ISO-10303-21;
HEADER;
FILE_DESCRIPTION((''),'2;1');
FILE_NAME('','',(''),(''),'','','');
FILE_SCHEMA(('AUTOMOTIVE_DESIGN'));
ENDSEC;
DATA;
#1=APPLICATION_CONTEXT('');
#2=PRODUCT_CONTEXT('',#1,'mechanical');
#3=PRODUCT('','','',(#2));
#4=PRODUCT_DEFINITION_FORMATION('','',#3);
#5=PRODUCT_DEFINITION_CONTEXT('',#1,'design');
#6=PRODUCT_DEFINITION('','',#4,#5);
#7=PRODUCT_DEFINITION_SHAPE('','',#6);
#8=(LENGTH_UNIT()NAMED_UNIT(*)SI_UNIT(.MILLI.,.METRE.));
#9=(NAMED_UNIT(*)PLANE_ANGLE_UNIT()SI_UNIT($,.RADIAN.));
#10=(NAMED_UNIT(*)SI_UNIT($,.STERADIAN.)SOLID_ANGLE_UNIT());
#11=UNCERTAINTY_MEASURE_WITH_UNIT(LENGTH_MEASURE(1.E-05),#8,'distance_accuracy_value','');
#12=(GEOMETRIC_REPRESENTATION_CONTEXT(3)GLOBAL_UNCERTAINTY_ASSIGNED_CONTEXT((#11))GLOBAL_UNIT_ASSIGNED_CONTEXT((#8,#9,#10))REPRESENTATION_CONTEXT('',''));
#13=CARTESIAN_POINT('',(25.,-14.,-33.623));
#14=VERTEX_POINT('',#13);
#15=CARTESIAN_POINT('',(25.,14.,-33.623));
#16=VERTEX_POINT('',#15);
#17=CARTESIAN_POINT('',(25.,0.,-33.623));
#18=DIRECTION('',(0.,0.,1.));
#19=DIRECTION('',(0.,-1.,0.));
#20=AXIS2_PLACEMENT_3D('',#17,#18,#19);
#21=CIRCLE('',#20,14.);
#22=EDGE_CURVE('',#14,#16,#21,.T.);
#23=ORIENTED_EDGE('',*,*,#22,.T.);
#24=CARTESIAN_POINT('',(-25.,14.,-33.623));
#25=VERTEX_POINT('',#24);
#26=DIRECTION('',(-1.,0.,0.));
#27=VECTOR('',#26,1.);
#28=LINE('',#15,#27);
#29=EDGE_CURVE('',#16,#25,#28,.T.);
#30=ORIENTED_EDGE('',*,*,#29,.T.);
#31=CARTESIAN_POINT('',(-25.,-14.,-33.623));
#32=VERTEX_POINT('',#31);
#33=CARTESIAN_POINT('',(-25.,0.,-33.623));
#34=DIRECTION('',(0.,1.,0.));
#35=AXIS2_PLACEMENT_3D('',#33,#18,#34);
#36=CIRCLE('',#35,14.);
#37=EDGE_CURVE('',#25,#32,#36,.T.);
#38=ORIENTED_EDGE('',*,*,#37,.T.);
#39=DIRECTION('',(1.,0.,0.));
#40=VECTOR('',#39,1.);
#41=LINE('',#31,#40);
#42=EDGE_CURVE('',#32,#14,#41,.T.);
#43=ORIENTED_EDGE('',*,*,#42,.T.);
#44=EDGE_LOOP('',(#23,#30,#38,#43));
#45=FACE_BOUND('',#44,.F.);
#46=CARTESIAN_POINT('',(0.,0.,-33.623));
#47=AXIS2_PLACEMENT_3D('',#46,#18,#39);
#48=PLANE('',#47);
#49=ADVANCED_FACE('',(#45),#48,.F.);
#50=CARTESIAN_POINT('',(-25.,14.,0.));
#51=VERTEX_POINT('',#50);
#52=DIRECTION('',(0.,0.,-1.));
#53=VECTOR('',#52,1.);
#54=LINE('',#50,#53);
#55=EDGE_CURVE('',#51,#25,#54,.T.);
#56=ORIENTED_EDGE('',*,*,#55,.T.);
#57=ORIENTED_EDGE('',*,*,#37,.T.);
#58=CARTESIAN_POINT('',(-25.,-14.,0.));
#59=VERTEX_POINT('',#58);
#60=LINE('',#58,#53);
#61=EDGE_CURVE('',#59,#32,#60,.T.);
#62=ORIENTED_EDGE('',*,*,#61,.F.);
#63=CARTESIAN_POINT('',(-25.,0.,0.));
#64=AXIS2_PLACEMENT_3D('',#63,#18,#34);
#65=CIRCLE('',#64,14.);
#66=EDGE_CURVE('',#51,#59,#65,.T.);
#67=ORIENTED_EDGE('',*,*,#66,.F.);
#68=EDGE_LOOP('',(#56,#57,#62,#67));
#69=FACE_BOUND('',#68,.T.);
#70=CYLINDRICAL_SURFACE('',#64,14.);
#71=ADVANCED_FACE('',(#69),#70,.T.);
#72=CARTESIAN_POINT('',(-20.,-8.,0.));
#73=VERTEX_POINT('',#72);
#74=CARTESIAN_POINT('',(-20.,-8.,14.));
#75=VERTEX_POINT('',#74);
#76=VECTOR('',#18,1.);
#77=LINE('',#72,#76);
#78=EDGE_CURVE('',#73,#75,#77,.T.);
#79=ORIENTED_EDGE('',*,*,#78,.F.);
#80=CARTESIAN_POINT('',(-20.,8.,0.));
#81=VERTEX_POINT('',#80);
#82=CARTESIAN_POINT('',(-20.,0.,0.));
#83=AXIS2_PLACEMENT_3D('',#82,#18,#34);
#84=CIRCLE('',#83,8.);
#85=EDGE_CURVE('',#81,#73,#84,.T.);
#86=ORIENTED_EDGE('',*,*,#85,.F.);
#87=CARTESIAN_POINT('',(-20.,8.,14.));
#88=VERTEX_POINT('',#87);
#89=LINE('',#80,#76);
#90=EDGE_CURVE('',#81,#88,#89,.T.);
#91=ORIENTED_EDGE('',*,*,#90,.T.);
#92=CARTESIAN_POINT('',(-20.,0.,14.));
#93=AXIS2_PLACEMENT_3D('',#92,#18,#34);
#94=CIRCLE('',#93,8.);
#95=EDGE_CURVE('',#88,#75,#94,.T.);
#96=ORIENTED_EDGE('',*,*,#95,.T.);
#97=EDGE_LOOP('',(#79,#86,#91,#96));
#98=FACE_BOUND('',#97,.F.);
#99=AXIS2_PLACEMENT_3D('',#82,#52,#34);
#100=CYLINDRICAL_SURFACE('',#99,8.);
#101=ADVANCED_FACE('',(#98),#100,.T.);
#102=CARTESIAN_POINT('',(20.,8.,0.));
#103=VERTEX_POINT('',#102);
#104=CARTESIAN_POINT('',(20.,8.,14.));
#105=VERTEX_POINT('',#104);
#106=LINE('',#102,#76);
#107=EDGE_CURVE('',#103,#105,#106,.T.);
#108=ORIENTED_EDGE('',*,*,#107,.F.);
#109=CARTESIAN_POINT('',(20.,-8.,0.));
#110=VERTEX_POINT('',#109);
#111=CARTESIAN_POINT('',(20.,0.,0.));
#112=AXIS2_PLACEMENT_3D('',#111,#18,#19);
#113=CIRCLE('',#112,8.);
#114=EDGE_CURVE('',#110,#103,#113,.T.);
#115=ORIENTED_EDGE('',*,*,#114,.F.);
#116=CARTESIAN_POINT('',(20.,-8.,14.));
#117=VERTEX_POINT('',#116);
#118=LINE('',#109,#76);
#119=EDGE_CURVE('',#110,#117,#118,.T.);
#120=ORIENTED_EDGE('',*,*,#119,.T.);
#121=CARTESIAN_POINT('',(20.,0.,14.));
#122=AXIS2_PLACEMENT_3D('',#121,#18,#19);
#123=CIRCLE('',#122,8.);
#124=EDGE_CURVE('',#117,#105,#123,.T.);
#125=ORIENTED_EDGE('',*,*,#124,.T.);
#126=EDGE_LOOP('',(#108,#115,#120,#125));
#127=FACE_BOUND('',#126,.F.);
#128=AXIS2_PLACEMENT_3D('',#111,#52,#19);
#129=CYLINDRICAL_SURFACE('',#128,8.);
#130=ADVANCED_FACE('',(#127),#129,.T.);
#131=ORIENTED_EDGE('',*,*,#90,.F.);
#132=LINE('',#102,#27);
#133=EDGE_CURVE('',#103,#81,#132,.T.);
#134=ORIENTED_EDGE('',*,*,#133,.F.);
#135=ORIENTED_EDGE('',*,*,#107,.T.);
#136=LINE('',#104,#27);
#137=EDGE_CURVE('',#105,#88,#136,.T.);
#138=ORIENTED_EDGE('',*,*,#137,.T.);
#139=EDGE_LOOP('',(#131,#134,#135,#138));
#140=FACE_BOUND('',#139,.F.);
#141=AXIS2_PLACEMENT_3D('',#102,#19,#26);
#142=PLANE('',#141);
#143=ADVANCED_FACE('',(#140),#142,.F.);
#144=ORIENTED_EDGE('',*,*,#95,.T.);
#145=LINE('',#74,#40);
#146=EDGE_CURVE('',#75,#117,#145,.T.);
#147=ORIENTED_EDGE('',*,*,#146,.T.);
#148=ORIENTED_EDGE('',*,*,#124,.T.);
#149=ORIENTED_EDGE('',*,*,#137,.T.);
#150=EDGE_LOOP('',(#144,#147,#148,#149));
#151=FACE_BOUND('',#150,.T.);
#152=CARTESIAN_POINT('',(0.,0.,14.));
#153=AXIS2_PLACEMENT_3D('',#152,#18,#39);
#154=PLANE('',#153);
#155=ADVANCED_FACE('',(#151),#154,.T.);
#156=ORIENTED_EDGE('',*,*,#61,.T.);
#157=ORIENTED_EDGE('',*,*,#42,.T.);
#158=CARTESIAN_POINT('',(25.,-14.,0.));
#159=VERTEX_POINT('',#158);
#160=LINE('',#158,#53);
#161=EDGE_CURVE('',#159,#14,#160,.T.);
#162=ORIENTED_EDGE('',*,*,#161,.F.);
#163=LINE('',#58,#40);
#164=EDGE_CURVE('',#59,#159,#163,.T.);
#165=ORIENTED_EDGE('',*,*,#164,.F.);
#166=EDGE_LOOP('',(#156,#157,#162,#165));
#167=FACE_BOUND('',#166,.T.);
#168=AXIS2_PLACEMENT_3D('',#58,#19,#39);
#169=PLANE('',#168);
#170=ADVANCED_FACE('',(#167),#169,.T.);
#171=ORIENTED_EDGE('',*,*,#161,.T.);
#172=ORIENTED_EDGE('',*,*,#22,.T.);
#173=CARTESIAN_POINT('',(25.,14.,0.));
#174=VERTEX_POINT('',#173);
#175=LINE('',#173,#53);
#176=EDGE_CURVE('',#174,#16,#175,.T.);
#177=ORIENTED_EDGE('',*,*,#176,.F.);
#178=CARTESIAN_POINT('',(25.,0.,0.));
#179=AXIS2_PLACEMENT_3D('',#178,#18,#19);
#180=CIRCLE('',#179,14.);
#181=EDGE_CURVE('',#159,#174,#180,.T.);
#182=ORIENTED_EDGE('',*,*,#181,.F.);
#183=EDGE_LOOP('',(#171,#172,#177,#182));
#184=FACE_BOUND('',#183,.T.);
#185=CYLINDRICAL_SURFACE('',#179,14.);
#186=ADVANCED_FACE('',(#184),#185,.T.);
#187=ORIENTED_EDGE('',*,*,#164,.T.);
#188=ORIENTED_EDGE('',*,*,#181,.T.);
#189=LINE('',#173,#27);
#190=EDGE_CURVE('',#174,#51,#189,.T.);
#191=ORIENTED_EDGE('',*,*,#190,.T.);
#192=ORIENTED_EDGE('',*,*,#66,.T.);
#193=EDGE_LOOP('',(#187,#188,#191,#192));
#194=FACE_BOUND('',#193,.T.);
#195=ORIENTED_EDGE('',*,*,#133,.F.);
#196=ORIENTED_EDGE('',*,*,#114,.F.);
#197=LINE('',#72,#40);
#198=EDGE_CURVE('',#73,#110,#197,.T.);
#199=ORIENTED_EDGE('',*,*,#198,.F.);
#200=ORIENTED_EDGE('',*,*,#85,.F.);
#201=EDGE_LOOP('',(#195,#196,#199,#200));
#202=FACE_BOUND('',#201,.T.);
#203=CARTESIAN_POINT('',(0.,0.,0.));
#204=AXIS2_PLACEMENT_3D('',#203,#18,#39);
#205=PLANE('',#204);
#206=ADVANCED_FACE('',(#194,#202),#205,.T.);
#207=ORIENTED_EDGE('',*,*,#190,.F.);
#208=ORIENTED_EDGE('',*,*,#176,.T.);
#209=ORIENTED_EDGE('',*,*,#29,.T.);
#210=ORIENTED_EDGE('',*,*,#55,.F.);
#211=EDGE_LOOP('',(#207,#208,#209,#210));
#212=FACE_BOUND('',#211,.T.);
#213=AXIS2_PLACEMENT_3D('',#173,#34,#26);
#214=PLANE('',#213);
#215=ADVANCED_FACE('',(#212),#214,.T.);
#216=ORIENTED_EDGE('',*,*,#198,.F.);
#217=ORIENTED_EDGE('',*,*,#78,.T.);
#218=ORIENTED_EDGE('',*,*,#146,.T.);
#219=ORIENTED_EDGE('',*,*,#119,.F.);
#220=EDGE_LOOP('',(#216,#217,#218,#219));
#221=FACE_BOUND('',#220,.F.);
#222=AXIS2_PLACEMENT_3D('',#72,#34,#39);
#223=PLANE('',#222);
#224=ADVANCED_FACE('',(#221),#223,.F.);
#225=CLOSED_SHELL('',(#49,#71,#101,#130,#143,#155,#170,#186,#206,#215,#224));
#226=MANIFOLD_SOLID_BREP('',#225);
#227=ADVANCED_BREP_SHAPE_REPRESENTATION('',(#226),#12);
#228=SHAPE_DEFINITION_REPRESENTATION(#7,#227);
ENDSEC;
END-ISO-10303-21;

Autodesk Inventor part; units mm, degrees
ref_plane "YZ Plane" through (0, 0, 0) normal (1, 0, 0) x (0, 1, 0)
ref_plane "XZ Plane" through (0, 0, 0) normal (0, 1, 0) x (-1, 0, 0)
ref_plane "XY Plane" through (0, 0, 0) normal (0, 0, 1) x (1, 0, 0)
sketch "Skizze1" plane through (0, 0, 0) normal (0, 0, 1) x (1, 0, 0)
  line L0 (-20, 0) -> (20, 0) construction
  line L1 (-20, -8) -> (20, -8)
  line L2 (20, 8) -> (-20, 8)
  arc A0 (-20, 8) -> (-20, -8) centre (-20, 0) ccw
  arc A1 (20, -8) -> (20, 8) centre (20, 0) ccw
  line L3 (-25, 0) -> (25, 0) construction
  line L4 (-25, -14) -> (25, -14)
  line L5 (25, 14) -> (-25, 14)
  arc A2 (-25, 14) -> (-25, -14) centre (-25, 0) ccw
  arc A3 (25, -14) -> (25, 14) centre (25, 0) ccw
  point P0 (0, 0)
  dimension "d0" = 16
  dimension "d1" = 40
  dimension "d2" = 28
  dimension "d3" = 50
extrude "Extrusion1" add sketch "Skizze1" along normal blind 14 contours A0 L2 A1 L1
extrude "Extrusion2" add sketch "Skizze1" against normal blind 33.623 contours A0 L2 A1 L1 | A2 L5 A3 L4
equation "\"Height\" = 47.623"
properties part number "Gabel_DistanzStopper"
